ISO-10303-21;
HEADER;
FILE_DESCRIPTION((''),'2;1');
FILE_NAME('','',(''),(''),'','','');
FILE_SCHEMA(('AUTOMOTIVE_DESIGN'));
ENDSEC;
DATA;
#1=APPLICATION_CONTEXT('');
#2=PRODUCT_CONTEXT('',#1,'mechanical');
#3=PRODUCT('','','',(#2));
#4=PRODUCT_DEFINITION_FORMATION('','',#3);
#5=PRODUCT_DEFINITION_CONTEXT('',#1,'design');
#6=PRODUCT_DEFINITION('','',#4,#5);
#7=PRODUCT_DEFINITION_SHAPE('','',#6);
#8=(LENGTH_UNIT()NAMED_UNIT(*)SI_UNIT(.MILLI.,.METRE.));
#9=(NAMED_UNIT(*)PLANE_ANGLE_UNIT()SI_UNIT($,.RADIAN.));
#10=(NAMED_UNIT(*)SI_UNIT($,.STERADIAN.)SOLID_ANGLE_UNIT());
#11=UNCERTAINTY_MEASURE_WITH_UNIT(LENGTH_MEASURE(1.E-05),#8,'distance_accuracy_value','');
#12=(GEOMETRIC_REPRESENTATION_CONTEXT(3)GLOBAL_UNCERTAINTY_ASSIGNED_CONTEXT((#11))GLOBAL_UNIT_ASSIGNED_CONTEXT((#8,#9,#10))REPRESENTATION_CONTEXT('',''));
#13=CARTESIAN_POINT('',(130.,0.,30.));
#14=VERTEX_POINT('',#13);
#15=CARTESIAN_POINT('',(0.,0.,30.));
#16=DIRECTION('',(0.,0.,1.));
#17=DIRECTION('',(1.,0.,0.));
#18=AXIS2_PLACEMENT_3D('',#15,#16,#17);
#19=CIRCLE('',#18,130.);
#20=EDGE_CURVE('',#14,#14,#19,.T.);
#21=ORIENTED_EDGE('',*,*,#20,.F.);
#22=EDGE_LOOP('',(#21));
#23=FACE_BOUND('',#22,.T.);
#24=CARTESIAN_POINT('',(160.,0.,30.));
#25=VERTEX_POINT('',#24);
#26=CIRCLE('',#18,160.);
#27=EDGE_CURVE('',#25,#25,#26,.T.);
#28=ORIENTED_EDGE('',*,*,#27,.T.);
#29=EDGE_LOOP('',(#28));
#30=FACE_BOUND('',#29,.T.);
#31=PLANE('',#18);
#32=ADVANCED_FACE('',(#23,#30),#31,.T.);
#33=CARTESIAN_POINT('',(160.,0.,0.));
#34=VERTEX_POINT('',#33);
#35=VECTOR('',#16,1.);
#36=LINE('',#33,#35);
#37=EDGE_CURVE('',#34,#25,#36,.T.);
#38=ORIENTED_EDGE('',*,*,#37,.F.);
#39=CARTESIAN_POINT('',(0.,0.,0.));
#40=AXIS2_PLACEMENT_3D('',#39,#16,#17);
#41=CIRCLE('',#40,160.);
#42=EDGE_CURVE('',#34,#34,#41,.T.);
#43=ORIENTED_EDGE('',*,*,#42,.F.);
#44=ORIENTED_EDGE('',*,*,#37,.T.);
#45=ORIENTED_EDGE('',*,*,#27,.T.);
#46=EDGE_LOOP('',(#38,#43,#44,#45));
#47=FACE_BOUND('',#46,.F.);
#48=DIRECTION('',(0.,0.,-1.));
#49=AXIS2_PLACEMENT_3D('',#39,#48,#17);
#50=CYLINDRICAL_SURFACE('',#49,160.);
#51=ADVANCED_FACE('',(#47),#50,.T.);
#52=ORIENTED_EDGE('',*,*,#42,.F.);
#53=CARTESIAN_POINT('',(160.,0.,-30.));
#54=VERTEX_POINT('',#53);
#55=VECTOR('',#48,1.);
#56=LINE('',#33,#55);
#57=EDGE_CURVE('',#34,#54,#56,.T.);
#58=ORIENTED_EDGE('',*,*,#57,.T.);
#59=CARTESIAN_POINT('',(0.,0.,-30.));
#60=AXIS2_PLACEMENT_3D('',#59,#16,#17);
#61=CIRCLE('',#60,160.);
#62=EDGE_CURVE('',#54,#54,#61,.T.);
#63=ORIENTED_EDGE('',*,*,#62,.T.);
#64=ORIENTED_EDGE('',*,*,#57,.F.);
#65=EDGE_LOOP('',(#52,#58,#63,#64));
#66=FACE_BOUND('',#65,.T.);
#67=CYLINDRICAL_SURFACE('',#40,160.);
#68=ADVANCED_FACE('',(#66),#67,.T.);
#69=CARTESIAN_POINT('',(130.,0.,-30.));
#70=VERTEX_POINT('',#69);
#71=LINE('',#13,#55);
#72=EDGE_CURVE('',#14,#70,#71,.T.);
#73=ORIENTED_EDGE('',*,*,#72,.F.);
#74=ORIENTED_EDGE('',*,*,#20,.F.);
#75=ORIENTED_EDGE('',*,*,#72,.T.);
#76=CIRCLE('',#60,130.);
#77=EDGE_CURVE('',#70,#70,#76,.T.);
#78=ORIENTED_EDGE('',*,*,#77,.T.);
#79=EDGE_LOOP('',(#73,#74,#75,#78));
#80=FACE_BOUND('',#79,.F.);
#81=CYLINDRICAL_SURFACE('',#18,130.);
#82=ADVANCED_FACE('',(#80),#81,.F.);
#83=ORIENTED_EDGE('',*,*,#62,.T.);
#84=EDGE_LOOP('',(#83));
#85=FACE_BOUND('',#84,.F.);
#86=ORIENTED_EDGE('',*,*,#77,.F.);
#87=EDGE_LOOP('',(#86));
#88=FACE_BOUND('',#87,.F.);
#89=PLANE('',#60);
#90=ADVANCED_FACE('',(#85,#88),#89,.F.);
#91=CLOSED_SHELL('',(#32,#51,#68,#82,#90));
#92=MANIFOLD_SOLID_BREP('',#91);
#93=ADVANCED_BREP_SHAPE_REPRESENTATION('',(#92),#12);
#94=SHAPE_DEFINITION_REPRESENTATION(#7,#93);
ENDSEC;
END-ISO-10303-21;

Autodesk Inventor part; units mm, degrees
ref_plane "YZ Plane" through (0, 0, 0) normal (1, 0, 0) x (0, 1, 0)
ref_plane "XZ Plane" through (0, 0, 0) normal (0, 1, 0) x (-1, 0, 0)
ref_plane "XY Plane" through (0, 0, 0) normal (0, 0, 1) x (1, 0, 0)
sketch "Sketch1" plane through (0, 0, 0) normal (0, 0, 1) x (1, 0, 0)
  circle A0 centre (0, 0) radius 160
  dimension "d0" = 320
extrude "Extrusion1" add sketch "Sketch1" along normal mid plane 60
sketch "Sketch2" plane through (0, 0, 30) normal (0, 0, 1) x (1, 0, 0)
  circle A0 centre (0, 0) radius 130
  dimension "d3" = 260
extrude "Extrusion2" cut sketch "Sketch2" against normal through all
properties part number "AGBL06_2"
